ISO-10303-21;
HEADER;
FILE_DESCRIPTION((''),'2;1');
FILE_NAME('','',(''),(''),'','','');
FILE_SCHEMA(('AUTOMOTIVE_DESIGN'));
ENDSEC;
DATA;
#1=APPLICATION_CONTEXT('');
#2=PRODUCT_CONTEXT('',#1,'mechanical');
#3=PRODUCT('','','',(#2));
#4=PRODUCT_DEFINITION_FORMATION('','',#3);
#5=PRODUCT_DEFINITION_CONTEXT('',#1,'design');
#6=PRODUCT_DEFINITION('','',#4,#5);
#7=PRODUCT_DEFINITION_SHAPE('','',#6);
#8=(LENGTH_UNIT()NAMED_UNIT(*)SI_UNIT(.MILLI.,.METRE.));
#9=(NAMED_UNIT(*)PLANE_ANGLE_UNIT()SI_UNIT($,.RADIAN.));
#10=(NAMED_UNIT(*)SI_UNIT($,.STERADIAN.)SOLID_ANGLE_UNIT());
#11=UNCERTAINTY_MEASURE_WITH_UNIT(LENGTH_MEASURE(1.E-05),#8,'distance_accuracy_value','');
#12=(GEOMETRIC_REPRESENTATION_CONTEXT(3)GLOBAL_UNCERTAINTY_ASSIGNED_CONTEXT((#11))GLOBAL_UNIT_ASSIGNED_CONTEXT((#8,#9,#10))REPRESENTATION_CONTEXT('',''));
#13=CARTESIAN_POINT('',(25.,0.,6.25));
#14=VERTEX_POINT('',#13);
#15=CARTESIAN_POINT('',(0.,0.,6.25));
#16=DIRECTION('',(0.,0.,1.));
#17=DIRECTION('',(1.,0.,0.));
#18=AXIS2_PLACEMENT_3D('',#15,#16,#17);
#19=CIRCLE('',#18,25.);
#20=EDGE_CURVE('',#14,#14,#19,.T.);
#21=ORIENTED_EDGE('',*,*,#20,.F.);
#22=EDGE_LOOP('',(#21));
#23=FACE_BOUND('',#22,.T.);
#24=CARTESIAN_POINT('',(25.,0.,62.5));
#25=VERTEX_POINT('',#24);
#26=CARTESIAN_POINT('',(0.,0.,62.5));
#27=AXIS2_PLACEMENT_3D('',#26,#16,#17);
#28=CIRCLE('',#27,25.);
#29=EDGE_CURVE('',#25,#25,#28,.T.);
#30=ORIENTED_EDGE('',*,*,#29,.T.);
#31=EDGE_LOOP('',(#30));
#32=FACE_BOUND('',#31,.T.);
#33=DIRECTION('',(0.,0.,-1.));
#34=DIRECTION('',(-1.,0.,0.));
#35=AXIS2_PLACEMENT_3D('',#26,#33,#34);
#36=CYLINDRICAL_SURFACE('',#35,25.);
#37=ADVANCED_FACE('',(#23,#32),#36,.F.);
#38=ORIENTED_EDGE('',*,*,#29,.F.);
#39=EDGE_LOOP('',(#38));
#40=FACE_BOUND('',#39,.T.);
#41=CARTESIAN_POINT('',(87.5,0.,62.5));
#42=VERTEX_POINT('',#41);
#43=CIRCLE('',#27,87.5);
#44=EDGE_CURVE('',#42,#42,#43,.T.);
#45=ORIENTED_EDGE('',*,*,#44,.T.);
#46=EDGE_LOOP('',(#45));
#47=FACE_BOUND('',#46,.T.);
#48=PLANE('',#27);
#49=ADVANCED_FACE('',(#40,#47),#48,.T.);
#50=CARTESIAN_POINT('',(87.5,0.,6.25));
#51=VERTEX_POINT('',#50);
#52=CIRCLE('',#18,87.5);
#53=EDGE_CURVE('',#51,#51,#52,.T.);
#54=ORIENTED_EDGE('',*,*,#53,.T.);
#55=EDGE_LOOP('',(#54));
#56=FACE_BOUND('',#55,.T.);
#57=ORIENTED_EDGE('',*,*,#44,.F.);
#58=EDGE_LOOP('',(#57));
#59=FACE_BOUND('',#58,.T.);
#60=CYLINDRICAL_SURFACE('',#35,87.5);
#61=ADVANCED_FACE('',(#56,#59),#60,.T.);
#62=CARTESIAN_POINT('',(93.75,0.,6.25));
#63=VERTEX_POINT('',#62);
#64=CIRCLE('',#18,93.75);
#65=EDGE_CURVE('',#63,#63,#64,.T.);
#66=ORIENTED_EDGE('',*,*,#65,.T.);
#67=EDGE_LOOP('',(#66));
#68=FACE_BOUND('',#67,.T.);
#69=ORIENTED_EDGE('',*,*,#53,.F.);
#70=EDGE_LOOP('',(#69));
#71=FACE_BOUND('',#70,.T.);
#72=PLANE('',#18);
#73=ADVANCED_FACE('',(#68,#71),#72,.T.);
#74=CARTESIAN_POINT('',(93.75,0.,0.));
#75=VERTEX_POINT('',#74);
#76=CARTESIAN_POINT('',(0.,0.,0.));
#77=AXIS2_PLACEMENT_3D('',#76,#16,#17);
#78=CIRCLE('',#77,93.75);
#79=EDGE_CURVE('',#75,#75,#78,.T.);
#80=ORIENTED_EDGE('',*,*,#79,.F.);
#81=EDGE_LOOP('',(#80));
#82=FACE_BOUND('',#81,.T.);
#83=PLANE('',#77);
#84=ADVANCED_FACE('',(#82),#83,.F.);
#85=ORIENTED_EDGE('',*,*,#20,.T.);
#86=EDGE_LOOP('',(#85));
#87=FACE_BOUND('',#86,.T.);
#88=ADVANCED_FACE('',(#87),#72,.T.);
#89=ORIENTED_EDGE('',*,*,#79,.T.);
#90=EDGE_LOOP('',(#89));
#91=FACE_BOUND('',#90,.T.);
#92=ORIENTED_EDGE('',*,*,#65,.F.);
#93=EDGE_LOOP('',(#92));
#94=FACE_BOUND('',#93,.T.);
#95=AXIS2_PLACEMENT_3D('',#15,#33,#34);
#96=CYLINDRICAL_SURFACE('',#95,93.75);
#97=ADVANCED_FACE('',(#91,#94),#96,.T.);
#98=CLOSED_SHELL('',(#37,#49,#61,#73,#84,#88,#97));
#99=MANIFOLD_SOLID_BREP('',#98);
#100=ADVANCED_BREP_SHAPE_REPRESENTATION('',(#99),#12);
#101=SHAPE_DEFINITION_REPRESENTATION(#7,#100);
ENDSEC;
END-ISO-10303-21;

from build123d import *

# Parameters (mm, degrees)
SKETCH1_R           = 87.5
SKETCH1_R_2         = 25
BOSS_EXTRUDE1_DEPTH = 62.5
SKETCH2_R           = 93.75
BOSS_EXTRUDE3_DEPTH = 6.25


with BuildPart() as part:
    # Sketch1 → Boss-Extrude1 (new body)
    with BuildSketch(Plane.XY):
        Circle(SKETCH1_R)
        Circle(SKETCH1_R_2, mode=Mode.SUBTRACT)
    extrude(amount=BOSS_EXTRUDE1_DEPTH)

    # Sketch2 → Boss-Extrude3 (add)
    with BuildSketch(Plane.XY):
        Circle(SKETCH2_R)
    extrude(amount=BOSS_EXTRUDE3_DEPTH)


solid = part.part
